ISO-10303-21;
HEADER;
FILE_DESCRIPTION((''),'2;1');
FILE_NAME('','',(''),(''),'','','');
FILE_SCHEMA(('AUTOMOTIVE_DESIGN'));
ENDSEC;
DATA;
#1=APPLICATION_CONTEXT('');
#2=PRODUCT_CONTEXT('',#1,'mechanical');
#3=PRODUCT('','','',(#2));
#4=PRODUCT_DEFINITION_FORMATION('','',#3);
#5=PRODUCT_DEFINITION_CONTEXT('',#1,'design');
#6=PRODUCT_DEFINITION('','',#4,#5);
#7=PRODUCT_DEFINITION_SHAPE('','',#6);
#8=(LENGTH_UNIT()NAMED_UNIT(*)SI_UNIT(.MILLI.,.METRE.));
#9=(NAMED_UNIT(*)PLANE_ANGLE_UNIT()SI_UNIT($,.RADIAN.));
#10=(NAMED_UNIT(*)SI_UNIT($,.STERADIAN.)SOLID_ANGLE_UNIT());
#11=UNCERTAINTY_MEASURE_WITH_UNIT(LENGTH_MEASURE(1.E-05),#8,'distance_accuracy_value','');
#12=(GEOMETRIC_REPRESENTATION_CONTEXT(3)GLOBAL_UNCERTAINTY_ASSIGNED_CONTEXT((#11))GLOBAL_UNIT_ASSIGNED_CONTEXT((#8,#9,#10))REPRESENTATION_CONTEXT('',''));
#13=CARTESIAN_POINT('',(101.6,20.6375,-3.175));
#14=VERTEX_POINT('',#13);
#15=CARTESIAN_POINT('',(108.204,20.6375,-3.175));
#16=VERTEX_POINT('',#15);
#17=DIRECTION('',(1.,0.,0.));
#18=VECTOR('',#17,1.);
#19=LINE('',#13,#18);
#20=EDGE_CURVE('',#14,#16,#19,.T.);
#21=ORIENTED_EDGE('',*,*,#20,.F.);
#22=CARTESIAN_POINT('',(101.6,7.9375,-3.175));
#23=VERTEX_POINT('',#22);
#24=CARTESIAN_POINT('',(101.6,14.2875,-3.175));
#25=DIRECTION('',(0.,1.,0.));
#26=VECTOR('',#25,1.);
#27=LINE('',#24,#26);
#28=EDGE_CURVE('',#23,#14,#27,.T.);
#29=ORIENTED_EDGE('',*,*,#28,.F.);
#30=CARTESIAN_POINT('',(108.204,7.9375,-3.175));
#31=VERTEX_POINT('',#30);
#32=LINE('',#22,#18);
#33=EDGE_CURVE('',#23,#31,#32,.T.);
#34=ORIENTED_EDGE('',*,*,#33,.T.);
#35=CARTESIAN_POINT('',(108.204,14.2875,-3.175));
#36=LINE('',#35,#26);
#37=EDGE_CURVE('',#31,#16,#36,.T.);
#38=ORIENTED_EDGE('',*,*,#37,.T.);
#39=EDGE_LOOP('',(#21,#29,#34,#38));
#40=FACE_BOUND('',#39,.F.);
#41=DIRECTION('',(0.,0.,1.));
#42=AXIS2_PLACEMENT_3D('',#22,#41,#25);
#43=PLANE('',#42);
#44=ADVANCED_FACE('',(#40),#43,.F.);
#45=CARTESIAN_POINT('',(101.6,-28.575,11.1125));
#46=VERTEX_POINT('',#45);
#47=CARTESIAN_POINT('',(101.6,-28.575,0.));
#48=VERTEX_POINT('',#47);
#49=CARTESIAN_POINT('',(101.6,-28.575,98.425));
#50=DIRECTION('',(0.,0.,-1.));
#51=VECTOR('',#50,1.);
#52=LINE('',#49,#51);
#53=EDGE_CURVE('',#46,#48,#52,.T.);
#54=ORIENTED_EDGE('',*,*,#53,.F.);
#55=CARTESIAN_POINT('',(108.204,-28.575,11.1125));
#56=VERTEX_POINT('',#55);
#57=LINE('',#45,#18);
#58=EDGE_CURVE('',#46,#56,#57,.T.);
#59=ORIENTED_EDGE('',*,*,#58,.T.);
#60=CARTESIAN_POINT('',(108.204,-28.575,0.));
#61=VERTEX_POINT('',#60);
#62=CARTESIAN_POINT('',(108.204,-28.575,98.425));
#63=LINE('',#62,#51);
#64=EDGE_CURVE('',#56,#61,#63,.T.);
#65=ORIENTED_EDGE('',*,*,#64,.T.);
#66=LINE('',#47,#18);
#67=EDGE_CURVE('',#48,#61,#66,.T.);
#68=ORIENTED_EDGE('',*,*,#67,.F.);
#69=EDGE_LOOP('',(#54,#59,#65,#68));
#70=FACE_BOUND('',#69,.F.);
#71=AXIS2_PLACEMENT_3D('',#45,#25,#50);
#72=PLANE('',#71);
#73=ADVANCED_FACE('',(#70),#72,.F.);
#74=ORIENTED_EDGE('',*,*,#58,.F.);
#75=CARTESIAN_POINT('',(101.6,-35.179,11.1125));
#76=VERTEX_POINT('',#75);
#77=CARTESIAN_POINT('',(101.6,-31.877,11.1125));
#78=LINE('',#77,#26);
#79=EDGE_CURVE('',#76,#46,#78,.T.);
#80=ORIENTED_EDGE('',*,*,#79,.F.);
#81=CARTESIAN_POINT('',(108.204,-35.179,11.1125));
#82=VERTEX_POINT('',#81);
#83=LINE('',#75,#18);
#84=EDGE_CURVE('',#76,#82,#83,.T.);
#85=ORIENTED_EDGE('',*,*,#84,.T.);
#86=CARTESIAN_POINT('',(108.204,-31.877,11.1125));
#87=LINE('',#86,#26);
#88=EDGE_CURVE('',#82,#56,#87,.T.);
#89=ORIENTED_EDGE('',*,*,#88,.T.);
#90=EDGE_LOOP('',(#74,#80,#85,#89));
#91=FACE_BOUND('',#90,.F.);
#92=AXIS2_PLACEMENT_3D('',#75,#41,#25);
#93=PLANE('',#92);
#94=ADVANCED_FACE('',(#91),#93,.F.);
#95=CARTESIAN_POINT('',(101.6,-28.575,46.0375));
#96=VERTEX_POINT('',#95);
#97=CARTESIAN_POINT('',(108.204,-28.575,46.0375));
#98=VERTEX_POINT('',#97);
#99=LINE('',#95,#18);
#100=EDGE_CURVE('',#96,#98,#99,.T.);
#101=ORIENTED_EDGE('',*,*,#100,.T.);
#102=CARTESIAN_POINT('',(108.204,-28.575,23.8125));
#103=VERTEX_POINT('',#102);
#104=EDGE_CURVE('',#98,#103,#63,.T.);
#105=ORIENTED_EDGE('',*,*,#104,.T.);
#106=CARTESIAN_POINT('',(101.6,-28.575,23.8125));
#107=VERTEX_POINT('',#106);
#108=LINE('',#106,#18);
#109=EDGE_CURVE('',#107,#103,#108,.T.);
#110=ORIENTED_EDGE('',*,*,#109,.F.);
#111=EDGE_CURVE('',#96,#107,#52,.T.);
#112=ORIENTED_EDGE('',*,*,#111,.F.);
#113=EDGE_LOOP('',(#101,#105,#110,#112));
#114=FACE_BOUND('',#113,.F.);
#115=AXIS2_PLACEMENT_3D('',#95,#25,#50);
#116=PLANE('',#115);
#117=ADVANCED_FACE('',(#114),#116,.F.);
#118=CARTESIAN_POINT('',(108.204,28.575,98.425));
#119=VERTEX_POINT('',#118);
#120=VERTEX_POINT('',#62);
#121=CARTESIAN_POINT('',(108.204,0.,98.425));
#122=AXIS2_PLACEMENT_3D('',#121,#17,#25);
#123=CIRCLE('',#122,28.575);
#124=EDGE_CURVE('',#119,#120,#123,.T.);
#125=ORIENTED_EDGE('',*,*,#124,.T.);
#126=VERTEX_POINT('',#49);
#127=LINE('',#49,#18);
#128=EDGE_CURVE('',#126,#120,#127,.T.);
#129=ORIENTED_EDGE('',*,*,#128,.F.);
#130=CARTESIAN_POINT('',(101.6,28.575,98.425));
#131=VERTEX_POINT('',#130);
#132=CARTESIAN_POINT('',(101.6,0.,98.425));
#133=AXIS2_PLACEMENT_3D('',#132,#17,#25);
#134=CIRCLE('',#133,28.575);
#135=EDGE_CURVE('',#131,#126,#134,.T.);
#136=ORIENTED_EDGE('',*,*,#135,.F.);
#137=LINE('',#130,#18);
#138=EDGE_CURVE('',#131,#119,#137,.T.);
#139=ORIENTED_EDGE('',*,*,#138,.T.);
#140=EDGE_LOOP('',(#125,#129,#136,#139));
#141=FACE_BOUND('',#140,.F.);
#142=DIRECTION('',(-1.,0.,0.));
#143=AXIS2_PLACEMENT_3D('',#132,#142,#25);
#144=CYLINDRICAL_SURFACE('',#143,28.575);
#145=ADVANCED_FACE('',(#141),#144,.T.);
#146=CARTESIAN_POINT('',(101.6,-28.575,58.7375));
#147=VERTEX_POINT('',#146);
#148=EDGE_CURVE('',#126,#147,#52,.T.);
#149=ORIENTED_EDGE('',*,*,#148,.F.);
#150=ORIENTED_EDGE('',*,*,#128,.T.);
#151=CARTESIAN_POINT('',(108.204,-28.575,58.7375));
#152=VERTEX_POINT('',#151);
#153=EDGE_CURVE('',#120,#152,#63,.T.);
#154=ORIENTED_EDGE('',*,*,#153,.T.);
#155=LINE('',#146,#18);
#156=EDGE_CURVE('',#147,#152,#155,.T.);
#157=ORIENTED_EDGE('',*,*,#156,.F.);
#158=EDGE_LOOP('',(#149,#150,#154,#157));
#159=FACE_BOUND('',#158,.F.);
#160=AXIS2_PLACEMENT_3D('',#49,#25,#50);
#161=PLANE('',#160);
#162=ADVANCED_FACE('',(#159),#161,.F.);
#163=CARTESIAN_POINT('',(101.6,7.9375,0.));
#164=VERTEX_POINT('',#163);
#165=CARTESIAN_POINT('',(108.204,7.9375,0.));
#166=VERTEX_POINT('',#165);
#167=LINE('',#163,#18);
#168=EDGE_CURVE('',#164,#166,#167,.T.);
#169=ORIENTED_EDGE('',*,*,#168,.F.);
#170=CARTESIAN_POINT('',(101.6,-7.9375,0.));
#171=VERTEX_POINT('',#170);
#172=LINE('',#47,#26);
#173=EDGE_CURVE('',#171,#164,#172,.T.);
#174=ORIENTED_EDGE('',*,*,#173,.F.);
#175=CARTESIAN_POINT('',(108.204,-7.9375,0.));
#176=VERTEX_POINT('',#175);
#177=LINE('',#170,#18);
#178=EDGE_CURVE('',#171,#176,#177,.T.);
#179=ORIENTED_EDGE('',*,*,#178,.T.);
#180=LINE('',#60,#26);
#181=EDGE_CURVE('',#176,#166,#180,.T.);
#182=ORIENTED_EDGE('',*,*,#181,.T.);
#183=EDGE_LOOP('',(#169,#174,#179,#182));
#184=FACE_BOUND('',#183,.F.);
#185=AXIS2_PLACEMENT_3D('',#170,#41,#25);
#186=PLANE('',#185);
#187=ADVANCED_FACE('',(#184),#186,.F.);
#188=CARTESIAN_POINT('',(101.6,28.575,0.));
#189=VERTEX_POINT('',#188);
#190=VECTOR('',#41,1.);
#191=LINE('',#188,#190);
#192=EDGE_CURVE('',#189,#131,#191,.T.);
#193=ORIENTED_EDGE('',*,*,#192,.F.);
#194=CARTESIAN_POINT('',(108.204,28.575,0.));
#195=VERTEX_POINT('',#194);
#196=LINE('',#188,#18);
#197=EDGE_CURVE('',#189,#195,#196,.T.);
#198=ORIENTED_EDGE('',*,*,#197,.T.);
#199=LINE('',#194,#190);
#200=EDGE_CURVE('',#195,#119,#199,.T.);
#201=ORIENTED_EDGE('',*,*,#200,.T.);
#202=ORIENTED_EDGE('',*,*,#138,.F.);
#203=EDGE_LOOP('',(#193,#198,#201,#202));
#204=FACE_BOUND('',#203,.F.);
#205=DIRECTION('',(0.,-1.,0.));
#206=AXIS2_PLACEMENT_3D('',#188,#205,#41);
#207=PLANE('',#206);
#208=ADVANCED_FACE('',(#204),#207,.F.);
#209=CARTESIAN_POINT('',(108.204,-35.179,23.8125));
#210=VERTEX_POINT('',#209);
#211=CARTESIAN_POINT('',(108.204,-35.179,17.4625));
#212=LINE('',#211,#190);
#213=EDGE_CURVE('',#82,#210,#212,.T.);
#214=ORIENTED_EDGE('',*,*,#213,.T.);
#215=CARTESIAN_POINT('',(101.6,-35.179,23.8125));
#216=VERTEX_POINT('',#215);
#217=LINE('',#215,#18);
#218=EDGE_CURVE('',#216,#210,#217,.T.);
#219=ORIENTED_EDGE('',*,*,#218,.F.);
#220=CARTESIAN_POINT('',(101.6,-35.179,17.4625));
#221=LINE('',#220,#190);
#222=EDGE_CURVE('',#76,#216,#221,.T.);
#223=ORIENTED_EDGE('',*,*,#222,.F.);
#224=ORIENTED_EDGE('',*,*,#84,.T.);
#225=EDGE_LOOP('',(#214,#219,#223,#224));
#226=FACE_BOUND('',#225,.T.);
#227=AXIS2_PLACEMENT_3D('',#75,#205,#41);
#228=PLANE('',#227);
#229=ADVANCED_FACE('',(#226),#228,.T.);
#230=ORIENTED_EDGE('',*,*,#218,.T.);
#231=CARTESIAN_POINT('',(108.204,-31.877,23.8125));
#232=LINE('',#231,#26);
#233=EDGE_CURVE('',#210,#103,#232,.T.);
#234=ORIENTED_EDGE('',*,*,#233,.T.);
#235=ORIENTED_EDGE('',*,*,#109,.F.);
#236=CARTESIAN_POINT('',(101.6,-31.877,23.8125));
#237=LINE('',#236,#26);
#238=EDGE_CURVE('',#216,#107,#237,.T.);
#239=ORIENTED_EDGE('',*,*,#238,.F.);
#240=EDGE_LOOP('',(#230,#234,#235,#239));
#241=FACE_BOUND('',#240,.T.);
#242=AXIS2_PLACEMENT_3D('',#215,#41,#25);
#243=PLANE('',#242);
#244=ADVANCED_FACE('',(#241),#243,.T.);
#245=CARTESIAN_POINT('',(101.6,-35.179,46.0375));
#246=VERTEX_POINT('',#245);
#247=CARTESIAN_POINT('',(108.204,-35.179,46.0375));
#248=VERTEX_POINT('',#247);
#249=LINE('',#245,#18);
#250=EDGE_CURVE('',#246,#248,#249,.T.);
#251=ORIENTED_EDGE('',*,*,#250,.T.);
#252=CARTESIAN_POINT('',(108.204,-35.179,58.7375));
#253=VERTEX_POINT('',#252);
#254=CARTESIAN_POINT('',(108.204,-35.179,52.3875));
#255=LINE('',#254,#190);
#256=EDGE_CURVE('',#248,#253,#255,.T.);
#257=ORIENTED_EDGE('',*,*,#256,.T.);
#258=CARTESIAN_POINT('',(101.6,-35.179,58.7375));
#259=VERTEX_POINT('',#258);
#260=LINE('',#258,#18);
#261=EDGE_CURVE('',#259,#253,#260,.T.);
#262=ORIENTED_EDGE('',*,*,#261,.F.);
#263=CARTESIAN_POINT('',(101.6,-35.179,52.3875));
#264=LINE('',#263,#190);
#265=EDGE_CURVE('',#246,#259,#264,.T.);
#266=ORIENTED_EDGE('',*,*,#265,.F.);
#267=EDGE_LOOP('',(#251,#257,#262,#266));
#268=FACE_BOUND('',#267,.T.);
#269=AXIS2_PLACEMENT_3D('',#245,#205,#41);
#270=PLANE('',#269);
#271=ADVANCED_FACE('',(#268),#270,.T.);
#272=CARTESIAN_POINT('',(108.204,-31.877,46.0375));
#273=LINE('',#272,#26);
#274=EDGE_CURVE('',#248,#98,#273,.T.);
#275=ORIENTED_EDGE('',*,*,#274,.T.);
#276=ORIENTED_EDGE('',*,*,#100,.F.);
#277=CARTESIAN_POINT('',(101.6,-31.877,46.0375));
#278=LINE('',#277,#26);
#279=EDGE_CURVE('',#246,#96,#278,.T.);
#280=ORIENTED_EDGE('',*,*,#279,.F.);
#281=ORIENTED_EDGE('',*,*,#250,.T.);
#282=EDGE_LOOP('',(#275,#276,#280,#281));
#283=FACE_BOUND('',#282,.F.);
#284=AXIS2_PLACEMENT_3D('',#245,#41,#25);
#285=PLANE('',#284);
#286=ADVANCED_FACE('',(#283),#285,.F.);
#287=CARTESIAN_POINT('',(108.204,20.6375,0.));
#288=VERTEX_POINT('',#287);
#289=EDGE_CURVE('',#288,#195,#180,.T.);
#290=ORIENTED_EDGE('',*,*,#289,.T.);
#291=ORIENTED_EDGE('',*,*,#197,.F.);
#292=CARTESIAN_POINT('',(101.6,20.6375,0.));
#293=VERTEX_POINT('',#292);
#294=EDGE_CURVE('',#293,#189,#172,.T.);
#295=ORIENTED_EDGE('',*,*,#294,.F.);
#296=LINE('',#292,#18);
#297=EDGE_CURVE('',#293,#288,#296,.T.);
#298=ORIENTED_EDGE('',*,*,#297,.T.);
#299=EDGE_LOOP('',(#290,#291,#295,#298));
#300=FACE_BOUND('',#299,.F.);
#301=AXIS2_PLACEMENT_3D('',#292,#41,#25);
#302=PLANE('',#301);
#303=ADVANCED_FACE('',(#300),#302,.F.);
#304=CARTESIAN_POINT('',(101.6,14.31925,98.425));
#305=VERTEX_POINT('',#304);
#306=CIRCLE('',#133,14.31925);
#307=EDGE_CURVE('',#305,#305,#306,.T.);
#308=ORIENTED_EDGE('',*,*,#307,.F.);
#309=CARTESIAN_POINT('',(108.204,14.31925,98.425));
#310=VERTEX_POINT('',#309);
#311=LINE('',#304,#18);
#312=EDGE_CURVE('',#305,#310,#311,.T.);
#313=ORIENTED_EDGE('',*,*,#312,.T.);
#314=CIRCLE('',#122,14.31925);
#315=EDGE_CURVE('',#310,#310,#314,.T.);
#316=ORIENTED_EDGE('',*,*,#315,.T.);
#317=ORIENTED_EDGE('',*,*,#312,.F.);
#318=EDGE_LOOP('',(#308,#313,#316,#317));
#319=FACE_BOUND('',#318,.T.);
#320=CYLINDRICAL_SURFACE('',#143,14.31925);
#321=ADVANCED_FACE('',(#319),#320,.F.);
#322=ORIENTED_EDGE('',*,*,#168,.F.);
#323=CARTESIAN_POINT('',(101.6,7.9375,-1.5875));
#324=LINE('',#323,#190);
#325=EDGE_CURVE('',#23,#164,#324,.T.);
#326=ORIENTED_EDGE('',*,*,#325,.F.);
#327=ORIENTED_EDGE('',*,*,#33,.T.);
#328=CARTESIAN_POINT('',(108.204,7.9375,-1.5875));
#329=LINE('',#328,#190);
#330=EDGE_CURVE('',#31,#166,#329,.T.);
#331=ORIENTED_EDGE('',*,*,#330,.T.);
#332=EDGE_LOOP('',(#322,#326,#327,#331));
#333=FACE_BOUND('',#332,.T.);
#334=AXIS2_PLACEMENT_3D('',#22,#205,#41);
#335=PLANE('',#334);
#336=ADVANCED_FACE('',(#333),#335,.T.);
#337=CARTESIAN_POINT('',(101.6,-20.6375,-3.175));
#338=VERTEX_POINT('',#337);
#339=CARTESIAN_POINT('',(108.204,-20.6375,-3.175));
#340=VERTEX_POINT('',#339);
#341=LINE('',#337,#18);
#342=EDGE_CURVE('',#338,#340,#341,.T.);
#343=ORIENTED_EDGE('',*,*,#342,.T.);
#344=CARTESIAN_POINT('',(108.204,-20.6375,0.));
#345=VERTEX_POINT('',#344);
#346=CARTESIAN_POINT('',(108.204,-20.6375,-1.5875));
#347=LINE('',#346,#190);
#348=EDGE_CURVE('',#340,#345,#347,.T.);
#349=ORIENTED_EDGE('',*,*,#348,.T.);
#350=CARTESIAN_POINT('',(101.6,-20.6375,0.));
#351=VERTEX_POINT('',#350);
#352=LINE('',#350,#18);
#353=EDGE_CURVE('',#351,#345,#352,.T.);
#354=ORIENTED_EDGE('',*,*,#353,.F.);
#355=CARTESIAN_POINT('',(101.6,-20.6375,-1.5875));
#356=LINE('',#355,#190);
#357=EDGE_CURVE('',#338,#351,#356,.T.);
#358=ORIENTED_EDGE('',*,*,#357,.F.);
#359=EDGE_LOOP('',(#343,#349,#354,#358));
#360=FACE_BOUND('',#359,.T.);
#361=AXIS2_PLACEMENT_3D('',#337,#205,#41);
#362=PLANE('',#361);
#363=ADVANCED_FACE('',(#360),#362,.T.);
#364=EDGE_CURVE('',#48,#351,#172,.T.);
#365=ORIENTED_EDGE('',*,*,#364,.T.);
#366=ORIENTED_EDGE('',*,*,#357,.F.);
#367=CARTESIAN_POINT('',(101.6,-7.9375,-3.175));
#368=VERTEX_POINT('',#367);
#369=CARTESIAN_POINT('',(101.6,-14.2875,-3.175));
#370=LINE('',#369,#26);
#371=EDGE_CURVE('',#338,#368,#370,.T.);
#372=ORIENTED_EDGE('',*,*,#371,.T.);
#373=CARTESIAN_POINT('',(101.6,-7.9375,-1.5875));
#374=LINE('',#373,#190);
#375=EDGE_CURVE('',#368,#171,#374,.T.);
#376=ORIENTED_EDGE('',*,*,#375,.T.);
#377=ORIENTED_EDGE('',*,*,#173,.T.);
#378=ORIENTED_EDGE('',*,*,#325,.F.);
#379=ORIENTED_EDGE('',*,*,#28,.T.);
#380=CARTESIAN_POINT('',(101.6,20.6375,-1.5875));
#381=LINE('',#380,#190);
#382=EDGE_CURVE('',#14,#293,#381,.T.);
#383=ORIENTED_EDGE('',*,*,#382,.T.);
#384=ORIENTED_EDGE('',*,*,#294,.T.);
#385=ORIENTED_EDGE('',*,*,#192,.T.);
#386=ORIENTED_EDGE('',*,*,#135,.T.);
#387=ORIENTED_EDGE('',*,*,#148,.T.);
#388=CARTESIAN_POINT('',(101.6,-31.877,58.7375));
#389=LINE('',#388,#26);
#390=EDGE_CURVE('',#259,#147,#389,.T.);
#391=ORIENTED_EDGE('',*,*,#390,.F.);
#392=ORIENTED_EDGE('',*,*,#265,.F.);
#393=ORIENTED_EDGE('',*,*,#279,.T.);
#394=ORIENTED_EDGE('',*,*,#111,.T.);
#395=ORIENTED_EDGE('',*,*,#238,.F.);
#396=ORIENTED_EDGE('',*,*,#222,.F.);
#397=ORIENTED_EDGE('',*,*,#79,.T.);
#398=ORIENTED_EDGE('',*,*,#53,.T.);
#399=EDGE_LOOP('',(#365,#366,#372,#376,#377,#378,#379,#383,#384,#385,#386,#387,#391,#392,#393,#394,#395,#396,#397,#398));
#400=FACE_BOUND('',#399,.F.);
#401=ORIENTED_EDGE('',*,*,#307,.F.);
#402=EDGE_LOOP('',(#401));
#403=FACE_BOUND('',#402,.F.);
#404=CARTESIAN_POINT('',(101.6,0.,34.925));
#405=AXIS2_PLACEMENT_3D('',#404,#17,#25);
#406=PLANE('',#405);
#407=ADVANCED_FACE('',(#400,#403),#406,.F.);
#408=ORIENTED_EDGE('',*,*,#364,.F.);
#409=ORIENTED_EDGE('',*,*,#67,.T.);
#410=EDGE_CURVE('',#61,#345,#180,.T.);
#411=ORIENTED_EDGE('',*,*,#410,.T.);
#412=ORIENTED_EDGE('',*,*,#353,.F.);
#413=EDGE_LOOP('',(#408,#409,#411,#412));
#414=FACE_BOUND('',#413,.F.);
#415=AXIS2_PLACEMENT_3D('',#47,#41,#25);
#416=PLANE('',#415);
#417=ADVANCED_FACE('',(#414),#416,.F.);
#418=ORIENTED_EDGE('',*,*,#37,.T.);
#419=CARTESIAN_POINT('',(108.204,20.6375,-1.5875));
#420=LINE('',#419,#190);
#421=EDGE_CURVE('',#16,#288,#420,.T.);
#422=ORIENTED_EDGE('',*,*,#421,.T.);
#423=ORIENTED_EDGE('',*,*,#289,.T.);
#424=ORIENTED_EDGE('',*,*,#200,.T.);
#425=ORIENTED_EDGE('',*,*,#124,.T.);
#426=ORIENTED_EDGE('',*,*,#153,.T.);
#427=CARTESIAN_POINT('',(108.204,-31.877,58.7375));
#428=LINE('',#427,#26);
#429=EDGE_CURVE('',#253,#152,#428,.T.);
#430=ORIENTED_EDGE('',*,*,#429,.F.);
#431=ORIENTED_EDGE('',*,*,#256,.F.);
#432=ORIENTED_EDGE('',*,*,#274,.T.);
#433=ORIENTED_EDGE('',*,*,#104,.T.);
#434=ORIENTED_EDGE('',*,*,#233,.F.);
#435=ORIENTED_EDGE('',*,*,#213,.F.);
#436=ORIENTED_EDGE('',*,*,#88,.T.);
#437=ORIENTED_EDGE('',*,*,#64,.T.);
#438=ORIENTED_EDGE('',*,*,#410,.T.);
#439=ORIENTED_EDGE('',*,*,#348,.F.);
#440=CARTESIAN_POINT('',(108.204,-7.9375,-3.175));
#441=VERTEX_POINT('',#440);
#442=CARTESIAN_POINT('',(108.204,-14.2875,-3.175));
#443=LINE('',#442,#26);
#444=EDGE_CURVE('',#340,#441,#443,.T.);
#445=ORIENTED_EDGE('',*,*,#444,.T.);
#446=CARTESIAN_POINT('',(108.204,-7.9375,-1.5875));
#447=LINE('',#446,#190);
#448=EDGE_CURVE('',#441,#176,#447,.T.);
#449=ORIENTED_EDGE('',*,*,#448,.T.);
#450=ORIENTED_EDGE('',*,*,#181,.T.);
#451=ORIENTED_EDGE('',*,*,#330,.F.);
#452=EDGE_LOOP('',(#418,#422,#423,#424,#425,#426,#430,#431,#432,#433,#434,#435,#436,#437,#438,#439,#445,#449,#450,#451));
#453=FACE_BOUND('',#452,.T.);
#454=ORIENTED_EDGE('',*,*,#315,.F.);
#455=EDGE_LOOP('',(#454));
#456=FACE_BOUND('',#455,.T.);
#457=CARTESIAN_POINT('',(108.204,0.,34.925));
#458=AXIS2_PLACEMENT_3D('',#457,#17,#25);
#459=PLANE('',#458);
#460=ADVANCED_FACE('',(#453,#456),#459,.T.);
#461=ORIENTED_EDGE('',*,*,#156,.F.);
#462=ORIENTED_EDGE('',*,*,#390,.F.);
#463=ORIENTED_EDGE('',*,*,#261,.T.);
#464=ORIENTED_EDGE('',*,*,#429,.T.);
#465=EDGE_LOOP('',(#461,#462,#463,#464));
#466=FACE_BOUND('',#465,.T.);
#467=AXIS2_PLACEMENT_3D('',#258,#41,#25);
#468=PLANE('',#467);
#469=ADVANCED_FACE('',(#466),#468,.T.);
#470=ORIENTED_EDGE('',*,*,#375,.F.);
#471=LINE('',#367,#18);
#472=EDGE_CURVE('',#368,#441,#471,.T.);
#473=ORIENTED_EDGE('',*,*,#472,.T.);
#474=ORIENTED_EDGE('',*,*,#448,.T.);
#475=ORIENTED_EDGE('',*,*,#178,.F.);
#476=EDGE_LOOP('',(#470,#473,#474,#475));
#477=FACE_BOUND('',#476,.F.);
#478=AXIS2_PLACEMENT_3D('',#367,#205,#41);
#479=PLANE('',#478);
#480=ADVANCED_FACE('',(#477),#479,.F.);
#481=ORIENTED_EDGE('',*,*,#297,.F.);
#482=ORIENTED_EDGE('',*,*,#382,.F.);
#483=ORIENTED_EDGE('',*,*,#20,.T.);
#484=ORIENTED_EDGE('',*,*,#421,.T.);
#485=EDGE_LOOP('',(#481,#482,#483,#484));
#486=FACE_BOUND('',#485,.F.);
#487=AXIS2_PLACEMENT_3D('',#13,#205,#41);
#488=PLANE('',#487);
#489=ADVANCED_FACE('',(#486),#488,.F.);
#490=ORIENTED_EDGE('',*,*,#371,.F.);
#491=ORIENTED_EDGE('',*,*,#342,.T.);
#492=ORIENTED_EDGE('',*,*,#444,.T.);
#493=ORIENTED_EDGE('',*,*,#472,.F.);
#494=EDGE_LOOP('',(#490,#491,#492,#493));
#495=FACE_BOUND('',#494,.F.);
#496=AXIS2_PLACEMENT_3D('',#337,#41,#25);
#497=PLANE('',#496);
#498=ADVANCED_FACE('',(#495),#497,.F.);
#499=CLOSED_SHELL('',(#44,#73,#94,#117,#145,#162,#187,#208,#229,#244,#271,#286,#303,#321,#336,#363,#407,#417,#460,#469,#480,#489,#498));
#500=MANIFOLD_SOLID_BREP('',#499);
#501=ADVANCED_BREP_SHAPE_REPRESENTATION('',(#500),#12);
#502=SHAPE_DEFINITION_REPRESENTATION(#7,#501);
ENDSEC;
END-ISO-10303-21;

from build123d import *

# Parameters (mm, degrees)
F1_R     = 14.31925
F1_W     = 12.7
F1_H     = 3.175
F1_W_2   = 6.604
F1_H_2   = 12.7
F2_DEPTH = 6.604


with BuildPart() as f2:
    # F1 (on offset) → F2 (new body)
    with BuildSketch(Plane.YZ.offset(101.6)):
        Polygon((28.575, 0), (28.575, 69.85), (0, 69.85), (-28.575, 69.85), (-28.575, 58.7375), (-28.575, 46.0375), (-28.575, 23.8125), (-28.575, 11.1125), (-28.575, 0), (-20.6375, 0), (-7.9375, 0), (7.9375, 0), (20.6375, 0), align=None)
        with BuildLine():
            Line((0, 69.85), (28.575, 69.85))
            Line((28.575, 69.85), (28.575, 98.425))
            ThreePointArc((28.575, 98.425), (20.205576, 78.219424), (0, 69.85))
        make_face()
        with BuildLine():
            Line((-28.575, 69.85), (0, 69.85))
            ThreePointArc((0, 69.85), (-20.205576, 78.219424), (-28.575, 98.425))
            Line((-28.575, 98.425), (-28.575, 69.85))
        make_face()
        with BuildLine():
            ThreePointArc((-28.575, 98.425), (-20.205576, 78.219424), (0, 69.85))
            ThreePointArc((0, 69.85), (20.205576, 78.219424), (28.575, 98.425))
            ThreePointArc((28.575, 98.425), (0, 127), (-28.575, 98.425))
        make_face()
        with Locations((0, 98.425)):
            Circle(F1_R, mode=Mode.SUBTRACT)
        with Locations((14.2875, -1.5875)):
            Rectangle(F1_W, F1_H)
        with Locations((-31.877, 52.3875)):
            Rectangle(F1_W_2, F1_H_2)
        with Locations((-14.2875, -1.5875)):
            Rectangle(F1_W, F1_H)
        with Locations((-31.877, 17.4625)):
            Rectangle(F1_W_2, F1_H_2)
    extrude(amount=F2_DEPTH)


solid = f2.part
